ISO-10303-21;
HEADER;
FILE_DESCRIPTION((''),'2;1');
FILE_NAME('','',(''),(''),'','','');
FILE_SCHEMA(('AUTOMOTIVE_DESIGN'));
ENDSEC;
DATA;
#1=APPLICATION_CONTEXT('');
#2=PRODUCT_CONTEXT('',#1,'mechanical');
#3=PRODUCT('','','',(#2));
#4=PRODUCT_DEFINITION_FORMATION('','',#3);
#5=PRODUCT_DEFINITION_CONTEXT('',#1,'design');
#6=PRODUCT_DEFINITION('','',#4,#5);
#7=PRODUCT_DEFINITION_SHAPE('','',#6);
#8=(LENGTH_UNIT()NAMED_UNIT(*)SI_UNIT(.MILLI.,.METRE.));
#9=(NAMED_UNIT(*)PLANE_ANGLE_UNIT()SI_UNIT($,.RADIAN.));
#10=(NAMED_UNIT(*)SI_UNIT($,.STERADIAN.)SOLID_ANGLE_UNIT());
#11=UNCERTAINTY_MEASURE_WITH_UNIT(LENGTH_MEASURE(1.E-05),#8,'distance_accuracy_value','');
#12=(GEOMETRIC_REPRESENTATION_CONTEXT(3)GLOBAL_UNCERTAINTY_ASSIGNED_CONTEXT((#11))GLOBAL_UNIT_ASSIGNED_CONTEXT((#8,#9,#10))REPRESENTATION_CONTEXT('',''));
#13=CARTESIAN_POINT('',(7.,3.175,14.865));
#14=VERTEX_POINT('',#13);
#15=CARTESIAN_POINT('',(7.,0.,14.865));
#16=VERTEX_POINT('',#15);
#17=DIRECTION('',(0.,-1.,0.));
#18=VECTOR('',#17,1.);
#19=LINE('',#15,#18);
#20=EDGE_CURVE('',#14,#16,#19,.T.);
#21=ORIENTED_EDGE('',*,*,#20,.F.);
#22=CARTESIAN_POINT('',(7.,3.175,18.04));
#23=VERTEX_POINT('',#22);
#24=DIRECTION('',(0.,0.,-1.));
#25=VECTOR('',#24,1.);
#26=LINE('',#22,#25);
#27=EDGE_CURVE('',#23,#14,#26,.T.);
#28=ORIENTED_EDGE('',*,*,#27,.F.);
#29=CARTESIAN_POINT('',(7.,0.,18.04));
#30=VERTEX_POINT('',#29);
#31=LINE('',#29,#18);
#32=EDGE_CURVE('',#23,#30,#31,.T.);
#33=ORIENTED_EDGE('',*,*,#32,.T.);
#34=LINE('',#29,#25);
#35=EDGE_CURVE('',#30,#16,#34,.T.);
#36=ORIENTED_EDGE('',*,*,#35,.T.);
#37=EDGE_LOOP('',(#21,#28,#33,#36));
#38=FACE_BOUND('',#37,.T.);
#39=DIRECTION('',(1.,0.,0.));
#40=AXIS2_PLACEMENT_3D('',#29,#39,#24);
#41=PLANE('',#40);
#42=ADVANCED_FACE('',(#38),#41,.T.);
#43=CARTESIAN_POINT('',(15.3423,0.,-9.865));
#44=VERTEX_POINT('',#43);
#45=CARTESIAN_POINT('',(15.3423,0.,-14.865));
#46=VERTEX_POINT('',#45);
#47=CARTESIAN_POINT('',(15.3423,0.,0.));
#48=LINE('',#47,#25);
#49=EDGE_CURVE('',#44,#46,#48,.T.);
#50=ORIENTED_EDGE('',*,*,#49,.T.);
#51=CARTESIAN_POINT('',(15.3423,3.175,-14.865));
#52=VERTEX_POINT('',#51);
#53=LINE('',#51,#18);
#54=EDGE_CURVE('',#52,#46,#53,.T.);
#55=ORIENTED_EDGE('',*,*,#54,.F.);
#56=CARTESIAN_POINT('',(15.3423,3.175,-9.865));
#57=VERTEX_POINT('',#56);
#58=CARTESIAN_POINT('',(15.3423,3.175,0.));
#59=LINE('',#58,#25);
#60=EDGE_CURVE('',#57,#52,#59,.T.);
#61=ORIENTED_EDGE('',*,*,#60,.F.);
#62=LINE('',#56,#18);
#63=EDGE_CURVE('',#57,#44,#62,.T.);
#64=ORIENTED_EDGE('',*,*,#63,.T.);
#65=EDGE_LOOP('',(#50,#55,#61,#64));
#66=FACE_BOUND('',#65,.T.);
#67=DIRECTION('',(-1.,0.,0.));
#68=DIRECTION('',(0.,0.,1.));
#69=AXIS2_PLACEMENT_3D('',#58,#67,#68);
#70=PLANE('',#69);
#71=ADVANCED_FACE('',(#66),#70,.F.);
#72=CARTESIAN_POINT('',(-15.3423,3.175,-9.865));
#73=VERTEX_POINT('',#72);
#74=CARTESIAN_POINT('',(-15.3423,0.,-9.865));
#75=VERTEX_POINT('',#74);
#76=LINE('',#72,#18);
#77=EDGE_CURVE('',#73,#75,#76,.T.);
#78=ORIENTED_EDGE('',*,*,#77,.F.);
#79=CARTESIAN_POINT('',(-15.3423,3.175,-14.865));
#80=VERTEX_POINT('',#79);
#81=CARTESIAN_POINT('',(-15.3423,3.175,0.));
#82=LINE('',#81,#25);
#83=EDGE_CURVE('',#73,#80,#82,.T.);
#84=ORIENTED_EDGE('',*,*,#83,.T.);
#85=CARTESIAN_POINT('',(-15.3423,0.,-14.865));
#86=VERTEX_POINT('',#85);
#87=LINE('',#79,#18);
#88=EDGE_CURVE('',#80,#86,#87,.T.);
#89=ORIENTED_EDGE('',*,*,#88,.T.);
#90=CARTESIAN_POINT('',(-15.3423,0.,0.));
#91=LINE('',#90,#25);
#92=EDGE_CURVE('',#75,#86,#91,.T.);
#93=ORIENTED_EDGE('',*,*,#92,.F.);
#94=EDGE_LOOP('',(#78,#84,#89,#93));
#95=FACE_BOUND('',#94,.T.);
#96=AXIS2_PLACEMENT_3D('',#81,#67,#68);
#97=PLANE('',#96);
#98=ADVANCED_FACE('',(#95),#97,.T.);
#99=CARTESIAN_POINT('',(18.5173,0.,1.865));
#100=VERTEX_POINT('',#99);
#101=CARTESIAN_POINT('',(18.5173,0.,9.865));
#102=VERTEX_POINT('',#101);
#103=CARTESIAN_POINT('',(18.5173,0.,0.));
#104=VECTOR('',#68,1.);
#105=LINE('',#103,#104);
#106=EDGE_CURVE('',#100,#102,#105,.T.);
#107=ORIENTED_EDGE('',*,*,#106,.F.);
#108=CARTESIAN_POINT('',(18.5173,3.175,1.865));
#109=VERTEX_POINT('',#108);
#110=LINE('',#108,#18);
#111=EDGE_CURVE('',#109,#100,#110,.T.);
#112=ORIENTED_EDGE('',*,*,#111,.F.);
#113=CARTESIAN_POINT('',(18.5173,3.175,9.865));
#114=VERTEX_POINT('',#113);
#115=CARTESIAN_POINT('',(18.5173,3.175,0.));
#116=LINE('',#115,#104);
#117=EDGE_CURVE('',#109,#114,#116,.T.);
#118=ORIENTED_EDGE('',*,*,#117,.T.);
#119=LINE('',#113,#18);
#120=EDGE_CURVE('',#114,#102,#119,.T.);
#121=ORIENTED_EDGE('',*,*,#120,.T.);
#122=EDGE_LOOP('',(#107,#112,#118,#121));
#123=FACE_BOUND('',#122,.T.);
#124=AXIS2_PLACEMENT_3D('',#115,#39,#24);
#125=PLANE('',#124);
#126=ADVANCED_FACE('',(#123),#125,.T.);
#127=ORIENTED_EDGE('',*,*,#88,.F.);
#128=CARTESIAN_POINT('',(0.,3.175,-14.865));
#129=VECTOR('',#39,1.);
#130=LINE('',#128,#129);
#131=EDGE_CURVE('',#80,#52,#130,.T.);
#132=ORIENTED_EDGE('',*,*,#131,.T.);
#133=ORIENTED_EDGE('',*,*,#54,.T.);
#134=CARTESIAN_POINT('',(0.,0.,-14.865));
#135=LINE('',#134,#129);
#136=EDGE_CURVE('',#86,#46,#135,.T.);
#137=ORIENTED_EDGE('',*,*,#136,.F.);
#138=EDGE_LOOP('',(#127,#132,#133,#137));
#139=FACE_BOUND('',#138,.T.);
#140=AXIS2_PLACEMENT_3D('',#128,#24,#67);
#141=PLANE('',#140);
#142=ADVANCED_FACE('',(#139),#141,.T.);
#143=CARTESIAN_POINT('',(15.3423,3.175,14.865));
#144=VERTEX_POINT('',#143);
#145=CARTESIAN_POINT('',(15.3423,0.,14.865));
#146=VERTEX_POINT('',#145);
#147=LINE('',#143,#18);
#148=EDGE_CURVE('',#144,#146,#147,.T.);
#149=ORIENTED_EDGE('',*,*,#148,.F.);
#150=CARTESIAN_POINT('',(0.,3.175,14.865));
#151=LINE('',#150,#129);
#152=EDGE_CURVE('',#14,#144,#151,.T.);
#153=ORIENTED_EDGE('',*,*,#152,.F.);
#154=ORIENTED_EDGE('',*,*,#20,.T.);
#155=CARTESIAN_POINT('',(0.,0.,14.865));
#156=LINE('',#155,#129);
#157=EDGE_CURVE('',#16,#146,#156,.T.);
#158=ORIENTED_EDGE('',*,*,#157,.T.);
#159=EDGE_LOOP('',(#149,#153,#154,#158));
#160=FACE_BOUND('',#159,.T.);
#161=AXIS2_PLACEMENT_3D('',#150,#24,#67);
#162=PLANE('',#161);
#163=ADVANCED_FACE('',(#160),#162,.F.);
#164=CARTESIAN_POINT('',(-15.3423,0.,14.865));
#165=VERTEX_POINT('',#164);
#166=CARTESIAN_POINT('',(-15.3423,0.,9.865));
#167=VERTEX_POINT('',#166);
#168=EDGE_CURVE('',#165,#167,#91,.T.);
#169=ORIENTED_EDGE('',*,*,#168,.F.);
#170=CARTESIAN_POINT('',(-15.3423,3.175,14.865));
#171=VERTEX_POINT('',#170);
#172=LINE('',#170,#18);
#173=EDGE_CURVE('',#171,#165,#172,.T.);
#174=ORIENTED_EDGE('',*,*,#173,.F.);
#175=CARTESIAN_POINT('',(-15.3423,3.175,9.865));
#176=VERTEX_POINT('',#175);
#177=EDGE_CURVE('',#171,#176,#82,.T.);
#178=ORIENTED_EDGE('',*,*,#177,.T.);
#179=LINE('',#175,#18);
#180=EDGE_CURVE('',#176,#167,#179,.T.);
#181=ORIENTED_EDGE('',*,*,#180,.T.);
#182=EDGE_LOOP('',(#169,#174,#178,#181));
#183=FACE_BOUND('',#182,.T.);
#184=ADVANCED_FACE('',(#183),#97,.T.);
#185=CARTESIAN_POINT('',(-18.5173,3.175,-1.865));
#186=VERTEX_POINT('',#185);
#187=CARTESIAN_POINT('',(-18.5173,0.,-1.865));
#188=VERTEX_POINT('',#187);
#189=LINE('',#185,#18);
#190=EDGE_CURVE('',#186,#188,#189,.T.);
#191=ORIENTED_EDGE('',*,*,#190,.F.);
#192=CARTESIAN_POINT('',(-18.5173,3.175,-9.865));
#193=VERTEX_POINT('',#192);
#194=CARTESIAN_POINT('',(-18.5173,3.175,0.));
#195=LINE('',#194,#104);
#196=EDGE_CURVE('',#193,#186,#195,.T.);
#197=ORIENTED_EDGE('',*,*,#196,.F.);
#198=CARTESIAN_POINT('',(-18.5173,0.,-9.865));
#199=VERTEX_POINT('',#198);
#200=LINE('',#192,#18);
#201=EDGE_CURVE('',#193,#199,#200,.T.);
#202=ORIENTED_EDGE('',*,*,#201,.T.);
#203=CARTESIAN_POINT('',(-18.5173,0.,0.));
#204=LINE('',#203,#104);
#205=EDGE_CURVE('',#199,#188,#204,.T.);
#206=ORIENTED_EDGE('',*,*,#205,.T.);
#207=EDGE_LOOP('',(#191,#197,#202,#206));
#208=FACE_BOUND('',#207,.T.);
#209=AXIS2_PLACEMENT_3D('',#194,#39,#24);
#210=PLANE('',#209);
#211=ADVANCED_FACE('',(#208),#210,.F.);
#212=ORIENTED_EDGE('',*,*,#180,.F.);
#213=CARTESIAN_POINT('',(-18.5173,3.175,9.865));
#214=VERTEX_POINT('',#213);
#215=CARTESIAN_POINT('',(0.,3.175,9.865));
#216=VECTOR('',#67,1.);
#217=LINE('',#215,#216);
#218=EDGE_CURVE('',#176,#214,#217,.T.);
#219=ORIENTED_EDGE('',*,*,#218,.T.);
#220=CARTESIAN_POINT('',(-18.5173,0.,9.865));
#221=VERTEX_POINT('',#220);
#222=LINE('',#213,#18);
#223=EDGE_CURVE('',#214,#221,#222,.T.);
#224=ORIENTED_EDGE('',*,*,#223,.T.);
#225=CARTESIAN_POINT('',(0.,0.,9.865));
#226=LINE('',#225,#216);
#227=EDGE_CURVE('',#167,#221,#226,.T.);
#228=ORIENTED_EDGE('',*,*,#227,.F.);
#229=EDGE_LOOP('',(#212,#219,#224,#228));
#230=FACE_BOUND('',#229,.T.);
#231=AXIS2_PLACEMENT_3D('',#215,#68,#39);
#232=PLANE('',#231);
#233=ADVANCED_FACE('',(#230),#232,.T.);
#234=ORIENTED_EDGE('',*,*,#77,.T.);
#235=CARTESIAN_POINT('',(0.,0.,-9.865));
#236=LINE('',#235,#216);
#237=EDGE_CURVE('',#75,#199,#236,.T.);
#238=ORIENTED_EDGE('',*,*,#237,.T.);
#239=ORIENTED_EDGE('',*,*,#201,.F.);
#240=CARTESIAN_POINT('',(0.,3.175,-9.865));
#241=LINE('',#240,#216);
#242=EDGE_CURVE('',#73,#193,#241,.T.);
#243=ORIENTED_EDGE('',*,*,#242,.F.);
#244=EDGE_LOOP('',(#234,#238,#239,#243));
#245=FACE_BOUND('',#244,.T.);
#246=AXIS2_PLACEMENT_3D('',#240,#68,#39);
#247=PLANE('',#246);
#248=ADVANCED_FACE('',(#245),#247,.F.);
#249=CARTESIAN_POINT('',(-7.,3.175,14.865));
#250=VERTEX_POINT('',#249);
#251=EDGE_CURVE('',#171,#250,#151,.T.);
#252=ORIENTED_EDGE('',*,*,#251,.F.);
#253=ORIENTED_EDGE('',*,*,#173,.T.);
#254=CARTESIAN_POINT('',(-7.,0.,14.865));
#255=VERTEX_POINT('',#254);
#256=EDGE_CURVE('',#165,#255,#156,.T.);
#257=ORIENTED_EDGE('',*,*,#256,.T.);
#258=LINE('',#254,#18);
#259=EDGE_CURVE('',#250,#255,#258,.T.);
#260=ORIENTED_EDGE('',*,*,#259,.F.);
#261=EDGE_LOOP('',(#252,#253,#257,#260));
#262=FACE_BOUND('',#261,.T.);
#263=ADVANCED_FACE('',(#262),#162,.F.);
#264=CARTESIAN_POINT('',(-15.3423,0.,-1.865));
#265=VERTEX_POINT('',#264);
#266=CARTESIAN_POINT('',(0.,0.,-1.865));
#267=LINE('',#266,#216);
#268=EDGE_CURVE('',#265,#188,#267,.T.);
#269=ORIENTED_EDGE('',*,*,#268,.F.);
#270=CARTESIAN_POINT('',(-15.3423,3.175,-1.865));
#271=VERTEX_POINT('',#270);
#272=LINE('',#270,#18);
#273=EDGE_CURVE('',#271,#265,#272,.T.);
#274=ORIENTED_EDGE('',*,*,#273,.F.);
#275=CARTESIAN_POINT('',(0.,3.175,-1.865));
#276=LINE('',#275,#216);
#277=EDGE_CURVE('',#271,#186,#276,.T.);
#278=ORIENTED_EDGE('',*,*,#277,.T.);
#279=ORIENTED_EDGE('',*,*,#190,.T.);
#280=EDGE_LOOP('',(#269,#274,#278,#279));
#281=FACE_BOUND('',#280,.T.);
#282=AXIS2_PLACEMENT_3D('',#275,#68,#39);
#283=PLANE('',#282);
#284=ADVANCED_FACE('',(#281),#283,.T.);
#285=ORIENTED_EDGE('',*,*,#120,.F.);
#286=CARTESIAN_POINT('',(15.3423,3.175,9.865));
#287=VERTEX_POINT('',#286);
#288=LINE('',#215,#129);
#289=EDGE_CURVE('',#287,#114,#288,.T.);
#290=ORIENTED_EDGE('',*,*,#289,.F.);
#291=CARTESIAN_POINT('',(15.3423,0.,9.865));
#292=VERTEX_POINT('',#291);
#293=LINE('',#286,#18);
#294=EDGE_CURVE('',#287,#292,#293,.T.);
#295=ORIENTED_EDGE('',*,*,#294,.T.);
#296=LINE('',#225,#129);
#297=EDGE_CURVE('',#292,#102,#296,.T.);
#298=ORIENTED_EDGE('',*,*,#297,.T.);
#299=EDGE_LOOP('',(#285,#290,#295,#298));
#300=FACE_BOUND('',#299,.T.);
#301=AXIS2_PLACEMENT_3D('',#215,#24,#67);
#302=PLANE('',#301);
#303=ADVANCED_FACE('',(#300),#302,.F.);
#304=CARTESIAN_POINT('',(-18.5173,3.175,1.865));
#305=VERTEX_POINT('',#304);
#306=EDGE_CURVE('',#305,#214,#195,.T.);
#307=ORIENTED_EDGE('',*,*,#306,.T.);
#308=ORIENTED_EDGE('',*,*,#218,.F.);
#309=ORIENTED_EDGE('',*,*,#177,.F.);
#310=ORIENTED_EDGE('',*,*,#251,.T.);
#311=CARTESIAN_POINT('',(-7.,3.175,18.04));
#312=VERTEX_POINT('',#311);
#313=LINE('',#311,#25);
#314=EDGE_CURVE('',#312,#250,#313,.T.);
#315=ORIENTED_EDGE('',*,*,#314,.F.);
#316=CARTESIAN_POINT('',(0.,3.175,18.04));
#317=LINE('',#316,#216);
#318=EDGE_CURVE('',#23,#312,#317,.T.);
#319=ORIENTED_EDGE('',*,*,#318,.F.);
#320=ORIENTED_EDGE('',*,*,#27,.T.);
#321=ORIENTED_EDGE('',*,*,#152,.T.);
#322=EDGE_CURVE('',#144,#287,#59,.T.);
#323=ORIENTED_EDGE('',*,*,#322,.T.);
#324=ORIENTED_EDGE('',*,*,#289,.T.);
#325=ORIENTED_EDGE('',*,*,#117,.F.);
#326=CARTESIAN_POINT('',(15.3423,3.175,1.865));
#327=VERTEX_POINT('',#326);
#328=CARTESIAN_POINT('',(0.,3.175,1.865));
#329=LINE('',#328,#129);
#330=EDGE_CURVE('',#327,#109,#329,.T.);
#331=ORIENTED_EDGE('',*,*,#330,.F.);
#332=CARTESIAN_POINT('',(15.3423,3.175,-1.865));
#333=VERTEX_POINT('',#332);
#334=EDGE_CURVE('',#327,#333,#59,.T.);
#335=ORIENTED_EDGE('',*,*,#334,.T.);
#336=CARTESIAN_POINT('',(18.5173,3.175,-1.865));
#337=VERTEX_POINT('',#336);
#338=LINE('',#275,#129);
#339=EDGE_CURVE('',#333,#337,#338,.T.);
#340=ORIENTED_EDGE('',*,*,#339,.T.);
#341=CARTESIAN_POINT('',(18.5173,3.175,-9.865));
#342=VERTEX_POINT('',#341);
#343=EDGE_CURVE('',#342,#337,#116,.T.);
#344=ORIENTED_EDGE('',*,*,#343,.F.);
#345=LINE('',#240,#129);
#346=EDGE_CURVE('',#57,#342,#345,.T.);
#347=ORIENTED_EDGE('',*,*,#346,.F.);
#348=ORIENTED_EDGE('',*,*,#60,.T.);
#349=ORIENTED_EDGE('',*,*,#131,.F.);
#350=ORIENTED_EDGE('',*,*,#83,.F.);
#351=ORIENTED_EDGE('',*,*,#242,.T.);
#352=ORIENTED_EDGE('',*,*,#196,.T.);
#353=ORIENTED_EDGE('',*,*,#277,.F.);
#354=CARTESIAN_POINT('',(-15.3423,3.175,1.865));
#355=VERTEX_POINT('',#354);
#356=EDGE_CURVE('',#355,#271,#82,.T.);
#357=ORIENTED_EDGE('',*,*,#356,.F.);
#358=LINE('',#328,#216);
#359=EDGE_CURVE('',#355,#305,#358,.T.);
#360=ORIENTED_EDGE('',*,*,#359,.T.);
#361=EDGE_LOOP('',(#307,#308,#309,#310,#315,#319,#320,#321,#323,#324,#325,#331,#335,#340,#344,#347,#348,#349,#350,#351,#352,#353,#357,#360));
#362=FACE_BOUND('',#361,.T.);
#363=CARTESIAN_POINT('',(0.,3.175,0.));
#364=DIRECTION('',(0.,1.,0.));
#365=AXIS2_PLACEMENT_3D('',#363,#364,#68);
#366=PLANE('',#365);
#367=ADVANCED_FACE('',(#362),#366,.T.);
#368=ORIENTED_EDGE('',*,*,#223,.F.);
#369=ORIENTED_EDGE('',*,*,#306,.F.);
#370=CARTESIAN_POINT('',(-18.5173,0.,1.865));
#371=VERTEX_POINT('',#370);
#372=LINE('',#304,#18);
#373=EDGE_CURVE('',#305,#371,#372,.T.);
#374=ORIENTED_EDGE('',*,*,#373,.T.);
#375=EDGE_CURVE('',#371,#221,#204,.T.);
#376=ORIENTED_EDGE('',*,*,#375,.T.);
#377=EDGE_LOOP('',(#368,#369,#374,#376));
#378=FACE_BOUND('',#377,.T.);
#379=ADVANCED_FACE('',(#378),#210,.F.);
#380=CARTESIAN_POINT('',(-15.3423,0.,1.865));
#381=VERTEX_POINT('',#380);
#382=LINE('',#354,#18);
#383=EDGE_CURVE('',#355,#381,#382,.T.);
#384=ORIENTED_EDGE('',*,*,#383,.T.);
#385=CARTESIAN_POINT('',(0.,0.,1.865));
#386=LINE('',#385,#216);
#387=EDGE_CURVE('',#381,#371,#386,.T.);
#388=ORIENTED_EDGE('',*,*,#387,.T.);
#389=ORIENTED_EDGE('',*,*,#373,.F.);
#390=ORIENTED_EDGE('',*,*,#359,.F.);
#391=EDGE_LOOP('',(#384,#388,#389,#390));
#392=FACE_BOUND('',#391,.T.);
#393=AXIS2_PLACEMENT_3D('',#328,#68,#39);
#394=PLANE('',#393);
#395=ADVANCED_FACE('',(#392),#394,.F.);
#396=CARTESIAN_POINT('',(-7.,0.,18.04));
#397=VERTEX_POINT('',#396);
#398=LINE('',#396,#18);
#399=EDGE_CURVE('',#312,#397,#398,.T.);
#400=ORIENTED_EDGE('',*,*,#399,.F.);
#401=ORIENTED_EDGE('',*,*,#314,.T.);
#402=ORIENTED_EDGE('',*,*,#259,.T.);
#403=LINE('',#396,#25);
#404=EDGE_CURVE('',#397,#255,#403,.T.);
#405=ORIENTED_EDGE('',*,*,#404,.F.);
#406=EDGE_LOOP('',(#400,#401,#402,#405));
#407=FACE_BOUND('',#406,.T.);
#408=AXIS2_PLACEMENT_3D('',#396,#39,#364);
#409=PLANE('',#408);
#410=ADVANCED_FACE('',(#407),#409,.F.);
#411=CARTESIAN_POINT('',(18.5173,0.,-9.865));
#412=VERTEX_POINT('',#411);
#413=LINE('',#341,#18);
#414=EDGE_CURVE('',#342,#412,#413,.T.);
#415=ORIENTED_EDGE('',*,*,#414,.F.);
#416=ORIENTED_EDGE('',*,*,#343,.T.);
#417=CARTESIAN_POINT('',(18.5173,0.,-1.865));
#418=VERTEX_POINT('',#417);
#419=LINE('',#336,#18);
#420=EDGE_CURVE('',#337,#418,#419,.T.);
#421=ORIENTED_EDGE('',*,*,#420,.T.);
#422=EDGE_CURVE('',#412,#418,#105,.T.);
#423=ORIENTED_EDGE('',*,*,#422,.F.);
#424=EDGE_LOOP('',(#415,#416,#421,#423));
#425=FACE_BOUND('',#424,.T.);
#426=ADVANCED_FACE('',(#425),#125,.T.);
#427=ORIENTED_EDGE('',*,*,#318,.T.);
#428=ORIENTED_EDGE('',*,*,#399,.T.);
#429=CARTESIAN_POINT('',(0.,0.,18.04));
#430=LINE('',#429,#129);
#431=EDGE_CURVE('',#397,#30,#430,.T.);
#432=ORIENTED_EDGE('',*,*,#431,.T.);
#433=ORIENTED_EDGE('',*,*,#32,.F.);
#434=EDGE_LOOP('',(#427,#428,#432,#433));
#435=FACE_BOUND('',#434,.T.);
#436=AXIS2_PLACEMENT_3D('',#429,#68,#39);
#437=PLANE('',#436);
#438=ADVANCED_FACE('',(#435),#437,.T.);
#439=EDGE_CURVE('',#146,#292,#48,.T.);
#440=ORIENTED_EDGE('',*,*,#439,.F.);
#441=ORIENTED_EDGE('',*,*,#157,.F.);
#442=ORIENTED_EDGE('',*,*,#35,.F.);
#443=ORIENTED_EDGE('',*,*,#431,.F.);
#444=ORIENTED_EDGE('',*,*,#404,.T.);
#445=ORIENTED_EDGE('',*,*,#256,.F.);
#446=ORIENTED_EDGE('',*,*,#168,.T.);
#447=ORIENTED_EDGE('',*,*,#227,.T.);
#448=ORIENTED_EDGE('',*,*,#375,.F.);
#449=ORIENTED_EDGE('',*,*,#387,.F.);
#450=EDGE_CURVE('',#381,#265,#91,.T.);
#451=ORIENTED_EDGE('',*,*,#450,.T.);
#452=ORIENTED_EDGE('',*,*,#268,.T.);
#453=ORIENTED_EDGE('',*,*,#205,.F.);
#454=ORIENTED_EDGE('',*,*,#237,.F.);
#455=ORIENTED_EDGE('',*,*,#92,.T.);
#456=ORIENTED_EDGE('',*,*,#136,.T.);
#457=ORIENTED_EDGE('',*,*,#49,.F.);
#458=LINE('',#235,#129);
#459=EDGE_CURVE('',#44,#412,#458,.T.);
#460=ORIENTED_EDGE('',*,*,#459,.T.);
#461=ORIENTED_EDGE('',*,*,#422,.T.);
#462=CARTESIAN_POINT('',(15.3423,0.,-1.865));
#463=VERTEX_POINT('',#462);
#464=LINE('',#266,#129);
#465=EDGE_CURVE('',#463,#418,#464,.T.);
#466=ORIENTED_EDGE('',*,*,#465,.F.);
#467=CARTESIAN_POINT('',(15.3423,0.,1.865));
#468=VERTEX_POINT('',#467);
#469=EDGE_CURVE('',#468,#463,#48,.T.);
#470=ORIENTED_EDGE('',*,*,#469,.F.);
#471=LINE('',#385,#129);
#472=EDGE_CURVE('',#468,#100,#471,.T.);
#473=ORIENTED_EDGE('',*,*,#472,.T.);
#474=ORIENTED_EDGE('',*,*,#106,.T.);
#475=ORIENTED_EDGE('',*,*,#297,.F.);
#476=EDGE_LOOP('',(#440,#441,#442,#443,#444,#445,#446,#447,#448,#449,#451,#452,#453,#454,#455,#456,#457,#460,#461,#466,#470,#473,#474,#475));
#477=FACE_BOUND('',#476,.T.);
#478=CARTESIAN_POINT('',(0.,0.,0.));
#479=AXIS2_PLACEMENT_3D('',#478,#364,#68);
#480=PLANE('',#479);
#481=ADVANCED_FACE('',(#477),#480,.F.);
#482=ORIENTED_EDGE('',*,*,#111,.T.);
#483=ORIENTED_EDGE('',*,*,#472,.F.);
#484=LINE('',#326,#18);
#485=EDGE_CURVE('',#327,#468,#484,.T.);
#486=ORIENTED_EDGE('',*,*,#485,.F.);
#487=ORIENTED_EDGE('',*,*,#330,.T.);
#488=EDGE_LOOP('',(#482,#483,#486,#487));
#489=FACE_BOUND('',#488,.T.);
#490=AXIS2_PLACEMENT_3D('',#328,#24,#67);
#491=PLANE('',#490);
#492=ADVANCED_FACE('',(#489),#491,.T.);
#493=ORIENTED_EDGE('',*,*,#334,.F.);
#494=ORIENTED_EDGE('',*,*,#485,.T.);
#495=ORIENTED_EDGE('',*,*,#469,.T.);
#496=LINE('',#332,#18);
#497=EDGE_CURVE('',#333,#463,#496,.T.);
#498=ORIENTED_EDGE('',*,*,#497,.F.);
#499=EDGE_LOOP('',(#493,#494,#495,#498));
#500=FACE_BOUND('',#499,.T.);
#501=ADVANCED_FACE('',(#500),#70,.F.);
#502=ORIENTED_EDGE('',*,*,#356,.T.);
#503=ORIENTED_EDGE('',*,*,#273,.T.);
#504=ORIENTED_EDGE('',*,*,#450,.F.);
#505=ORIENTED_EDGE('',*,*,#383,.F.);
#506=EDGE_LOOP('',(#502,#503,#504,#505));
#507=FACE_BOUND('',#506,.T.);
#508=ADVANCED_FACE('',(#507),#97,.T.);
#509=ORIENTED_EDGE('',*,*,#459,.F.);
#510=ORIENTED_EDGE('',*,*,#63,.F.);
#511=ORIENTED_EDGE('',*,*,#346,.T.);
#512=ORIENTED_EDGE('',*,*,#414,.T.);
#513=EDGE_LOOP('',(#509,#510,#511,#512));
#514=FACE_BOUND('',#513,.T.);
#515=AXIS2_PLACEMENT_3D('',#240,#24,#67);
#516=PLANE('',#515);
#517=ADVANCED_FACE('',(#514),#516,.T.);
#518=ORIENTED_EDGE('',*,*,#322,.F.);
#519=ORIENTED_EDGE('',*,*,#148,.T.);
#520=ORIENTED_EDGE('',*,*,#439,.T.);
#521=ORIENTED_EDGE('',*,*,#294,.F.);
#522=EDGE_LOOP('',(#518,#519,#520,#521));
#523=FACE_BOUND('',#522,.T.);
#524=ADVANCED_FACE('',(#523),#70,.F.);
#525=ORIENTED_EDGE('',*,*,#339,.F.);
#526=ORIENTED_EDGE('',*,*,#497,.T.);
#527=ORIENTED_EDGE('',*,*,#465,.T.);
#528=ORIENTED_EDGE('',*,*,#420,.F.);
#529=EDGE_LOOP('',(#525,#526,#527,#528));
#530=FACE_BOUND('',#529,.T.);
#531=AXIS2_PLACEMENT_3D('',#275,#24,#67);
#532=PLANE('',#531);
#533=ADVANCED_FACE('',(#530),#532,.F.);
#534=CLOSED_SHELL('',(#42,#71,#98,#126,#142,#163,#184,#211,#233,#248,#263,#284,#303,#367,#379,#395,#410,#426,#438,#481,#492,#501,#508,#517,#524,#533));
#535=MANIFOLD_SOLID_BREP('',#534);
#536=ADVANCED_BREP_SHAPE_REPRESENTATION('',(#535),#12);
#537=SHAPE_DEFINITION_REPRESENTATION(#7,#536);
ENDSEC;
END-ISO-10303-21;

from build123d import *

# Parameters (mm, degrees)
SKETCH1_W           = 3.175
SKETCH1_H           = 8
SKETCH1_W_2         = 30.6846
SKETCH1_H_2         = 29.73
BOSS_EXTRUDE1_DEPTH = 3.175
SKETCH2_W           = 14
SKETCH2_H           = 3.175
BOSS_EXTRUDE5_DEPTH = 3.175


with BuildPart() as part:
    # Sketch1 → Boss-Extrude1 (new body)
    with BuildSketch(Plane(origin=(0, 0, 0), x_dir=(1, 0, 0), z_dir=(0, 1, 0))):
        with Locations((-16.9298, 5.865)):
            Rectangle(SKETCH1_W, SKETCH1_H)
        Rectangle(SKETCH1_W_2, SKETCH1_H_2)
        with Locations((16.9298, -5.865)):
            Rectangle(SKETCH1_W, SKETCH1_H)
        with Locations((16.9298, 5.865)):
            Rectangle(SKETCH1_W, SKETCH1_H)
        with Locations((-16.9298, -5.865)):
            Rectangle(SKETCH1_W, SKETCH1_H)
    extrude(amount=BOSS_EXTRUDE1_DEPTH)

    # Sketch2 → Boss-Extrude5 (add)
    with BuildSketch(Plane.XY.offset(14.865)):
        with Locations((0, 1.5875)):
            Rectangle(SKETCH2_W, SKETCH2_H)
    extrude(amount=BOSS_EXTRUDE5_DEPTH)


solid = part.part
